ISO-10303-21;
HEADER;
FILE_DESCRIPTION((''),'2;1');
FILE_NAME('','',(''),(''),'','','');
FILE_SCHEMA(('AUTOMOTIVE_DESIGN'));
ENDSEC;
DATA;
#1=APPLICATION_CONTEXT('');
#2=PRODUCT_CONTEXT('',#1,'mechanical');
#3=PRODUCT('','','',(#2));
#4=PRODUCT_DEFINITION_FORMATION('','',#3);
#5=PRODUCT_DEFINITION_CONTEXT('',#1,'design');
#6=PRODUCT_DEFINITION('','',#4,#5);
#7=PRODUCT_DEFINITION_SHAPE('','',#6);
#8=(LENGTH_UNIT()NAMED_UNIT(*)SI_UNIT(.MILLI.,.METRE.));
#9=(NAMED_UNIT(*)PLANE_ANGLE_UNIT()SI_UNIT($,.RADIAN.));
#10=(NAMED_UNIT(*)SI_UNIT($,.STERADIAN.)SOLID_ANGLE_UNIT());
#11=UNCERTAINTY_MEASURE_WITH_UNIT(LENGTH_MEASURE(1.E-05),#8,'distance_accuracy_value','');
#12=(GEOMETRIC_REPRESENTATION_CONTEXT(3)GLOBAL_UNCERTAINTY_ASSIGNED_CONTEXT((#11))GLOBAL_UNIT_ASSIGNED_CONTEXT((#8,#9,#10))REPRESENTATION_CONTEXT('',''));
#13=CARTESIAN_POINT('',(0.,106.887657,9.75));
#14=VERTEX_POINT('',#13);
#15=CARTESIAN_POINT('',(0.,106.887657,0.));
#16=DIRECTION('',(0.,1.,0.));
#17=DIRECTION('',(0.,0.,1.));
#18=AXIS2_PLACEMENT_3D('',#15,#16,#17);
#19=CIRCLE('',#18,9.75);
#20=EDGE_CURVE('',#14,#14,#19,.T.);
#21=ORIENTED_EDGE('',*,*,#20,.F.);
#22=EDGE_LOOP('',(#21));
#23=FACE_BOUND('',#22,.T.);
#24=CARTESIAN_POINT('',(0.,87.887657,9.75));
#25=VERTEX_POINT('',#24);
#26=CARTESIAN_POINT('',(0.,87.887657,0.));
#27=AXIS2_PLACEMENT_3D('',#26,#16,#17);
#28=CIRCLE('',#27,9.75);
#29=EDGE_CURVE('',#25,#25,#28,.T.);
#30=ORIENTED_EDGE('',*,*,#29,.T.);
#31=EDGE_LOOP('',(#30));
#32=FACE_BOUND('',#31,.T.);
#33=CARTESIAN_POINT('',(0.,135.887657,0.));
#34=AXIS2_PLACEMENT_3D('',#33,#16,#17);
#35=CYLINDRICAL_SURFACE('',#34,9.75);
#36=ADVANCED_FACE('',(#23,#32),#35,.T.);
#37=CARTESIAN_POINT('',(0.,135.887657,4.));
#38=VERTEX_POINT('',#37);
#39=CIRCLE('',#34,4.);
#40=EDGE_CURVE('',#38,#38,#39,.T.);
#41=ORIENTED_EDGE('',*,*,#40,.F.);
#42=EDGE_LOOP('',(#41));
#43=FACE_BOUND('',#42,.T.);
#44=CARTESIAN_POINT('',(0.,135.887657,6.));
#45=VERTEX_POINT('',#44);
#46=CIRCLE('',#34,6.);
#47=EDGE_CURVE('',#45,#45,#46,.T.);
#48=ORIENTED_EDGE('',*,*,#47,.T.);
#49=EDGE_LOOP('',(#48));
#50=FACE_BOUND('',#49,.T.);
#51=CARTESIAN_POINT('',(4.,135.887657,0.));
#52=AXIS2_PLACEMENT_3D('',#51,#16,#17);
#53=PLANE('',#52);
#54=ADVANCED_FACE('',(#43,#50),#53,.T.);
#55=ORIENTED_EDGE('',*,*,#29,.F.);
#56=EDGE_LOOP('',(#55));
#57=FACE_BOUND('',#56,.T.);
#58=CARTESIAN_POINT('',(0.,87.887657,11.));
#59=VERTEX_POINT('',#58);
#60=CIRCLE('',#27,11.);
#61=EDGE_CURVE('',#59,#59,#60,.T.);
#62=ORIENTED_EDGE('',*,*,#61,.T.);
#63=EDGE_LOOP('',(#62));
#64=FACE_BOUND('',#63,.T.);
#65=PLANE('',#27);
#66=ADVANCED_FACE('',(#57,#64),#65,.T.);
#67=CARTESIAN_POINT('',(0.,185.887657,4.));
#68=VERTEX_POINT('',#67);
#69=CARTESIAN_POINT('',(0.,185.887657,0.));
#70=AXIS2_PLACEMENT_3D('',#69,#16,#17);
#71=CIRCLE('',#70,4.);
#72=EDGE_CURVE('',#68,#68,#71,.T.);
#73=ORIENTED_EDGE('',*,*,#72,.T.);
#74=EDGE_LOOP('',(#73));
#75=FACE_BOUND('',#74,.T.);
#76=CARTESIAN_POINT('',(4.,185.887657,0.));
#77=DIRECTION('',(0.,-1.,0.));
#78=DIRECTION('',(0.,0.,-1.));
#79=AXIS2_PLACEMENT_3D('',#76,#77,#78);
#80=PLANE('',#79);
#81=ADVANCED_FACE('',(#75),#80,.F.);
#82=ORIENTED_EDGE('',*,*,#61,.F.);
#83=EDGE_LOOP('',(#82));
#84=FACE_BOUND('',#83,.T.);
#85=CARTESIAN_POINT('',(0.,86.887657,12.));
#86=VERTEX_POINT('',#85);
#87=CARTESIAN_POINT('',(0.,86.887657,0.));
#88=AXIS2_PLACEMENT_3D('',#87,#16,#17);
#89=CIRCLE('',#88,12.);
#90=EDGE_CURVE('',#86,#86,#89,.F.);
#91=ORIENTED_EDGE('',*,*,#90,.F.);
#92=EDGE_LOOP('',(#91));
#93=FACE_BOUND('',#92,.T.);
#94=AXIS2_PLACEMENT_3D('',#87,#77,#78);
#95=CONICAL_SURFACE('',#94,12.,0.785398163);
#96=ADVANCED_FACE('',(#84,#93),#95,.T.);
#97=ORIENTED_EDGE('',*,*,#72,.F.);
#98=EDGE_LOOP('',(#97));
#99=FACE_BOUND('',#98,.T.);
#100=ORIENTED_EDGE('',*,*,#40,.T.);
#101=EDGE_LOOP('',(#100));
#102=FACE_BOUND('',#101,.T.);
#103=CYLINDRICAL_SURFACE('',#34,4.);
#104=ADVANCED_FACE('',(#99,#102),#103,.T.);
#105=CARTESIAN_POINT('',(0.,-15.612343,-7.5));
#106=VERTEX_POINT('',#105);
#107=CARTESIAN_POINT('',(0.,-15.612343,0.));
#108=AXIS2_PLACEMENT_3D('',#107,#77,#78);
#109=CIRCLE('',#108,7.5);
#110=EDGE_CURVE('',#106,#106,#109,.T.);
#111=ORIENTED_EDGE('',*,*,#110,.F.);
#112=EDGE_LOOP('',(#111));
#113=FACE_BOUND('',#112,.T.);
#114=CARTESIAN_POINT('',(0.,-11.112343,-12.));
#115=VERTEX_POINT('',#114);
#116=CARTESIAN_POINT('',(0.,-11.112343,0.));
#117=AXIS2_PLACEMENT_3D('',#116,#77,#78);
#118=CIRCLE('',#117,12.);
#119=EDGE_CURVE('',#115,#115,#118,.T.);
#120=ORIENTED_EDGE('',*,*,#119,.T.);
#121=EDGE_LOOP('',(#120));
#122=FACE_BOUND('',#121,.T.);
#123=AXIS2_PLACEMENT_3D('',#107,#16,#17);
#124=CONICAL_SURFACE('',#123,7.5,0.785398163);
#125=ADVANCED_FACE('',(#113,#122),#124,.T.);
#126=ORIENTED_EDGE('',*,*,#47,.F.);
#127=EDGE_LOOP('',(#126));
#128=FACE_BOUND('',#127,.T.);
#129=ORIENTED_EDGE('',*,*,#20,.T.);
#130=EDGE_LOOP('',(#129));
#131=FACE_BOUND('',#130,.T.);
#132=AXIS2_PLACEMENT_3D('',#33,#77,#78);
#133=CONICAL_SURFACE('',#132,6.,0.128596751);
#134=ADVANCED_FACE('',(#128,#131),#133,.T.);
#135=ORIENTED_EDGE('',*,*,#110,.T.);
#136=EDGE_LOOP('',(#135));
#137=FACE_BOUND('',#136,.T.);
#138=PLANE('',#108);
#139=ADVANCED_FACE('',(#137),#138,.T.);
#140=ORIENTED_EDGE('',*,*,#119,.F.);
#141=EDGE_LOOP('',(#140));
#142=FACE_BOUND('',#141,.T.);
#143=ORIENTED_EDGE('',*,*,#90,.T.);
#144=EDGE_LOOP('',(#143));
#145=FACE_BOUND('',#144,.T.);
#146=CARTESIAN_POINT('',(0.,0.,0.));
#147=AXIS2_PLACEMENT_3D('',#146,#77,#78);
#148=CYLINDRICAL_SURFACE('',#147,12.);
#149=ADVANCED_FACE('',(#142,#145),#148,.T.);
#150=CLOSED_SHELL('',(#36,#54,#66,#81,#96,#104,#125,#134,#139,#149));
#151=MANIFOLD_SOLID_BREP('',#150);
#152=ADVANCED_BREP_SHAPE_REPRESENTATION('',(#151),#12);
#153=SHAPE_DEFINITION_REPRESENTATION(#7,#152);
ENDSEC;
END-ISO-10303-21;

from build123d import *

# Parameters (mm, degrees)
CHAFL_N2_SIZE = 1


with BuildPart() as part:
    # Croquis1 → Revolución1 (revolve)
    with BuildSketch(Plane.XY, mode=Mode.PRIVATE) as revoluci_n1_sk:
        Polygon((12, -11.11234319), (12, 87.88765681), (9.75, 87.88765681), (0, 87.88765681), (0, -15.61234319), (7.5, -15.61234319), align=None)
    revolve(revoluci_n1_sk.sketch.rotate(Axis((0, 0, 0), (0, 1, 0)), 90), axis=Axis((0, 0, 0), (0, 1, 0)))

    # Chaflán2
    chafl_n2_edges = [part.edges().sort_by_distance(p)[0] for p in [
        (0, 87.88765681, 12),
    ]]
    chamfer(chafl_n2_edges, length=CHAFL_N2_SIZE)

    # Croquis2 → Revolución2 (revolve)
    with BuildSketch(Plane.XY, mode=Mode.PRIVATE) as revoluci_n2_sk:
        Polygon((0, 87.88765681), (9.75, 87.88765681), (9.75, 106.88765681), (6, 135.88765681), (4, 135.88765681), (4, 185.88765681), (0, 185.88765681), (0, 135.88765681), align=None)
    revolve(revoluci_n2_sk.sketch.rotate(Axis((0, 135.88765681, 0), (0, -1, 0)), 90), axis=Axis((0, 135.88765681, 0), (0, -1, 0)))


solid = part.part
